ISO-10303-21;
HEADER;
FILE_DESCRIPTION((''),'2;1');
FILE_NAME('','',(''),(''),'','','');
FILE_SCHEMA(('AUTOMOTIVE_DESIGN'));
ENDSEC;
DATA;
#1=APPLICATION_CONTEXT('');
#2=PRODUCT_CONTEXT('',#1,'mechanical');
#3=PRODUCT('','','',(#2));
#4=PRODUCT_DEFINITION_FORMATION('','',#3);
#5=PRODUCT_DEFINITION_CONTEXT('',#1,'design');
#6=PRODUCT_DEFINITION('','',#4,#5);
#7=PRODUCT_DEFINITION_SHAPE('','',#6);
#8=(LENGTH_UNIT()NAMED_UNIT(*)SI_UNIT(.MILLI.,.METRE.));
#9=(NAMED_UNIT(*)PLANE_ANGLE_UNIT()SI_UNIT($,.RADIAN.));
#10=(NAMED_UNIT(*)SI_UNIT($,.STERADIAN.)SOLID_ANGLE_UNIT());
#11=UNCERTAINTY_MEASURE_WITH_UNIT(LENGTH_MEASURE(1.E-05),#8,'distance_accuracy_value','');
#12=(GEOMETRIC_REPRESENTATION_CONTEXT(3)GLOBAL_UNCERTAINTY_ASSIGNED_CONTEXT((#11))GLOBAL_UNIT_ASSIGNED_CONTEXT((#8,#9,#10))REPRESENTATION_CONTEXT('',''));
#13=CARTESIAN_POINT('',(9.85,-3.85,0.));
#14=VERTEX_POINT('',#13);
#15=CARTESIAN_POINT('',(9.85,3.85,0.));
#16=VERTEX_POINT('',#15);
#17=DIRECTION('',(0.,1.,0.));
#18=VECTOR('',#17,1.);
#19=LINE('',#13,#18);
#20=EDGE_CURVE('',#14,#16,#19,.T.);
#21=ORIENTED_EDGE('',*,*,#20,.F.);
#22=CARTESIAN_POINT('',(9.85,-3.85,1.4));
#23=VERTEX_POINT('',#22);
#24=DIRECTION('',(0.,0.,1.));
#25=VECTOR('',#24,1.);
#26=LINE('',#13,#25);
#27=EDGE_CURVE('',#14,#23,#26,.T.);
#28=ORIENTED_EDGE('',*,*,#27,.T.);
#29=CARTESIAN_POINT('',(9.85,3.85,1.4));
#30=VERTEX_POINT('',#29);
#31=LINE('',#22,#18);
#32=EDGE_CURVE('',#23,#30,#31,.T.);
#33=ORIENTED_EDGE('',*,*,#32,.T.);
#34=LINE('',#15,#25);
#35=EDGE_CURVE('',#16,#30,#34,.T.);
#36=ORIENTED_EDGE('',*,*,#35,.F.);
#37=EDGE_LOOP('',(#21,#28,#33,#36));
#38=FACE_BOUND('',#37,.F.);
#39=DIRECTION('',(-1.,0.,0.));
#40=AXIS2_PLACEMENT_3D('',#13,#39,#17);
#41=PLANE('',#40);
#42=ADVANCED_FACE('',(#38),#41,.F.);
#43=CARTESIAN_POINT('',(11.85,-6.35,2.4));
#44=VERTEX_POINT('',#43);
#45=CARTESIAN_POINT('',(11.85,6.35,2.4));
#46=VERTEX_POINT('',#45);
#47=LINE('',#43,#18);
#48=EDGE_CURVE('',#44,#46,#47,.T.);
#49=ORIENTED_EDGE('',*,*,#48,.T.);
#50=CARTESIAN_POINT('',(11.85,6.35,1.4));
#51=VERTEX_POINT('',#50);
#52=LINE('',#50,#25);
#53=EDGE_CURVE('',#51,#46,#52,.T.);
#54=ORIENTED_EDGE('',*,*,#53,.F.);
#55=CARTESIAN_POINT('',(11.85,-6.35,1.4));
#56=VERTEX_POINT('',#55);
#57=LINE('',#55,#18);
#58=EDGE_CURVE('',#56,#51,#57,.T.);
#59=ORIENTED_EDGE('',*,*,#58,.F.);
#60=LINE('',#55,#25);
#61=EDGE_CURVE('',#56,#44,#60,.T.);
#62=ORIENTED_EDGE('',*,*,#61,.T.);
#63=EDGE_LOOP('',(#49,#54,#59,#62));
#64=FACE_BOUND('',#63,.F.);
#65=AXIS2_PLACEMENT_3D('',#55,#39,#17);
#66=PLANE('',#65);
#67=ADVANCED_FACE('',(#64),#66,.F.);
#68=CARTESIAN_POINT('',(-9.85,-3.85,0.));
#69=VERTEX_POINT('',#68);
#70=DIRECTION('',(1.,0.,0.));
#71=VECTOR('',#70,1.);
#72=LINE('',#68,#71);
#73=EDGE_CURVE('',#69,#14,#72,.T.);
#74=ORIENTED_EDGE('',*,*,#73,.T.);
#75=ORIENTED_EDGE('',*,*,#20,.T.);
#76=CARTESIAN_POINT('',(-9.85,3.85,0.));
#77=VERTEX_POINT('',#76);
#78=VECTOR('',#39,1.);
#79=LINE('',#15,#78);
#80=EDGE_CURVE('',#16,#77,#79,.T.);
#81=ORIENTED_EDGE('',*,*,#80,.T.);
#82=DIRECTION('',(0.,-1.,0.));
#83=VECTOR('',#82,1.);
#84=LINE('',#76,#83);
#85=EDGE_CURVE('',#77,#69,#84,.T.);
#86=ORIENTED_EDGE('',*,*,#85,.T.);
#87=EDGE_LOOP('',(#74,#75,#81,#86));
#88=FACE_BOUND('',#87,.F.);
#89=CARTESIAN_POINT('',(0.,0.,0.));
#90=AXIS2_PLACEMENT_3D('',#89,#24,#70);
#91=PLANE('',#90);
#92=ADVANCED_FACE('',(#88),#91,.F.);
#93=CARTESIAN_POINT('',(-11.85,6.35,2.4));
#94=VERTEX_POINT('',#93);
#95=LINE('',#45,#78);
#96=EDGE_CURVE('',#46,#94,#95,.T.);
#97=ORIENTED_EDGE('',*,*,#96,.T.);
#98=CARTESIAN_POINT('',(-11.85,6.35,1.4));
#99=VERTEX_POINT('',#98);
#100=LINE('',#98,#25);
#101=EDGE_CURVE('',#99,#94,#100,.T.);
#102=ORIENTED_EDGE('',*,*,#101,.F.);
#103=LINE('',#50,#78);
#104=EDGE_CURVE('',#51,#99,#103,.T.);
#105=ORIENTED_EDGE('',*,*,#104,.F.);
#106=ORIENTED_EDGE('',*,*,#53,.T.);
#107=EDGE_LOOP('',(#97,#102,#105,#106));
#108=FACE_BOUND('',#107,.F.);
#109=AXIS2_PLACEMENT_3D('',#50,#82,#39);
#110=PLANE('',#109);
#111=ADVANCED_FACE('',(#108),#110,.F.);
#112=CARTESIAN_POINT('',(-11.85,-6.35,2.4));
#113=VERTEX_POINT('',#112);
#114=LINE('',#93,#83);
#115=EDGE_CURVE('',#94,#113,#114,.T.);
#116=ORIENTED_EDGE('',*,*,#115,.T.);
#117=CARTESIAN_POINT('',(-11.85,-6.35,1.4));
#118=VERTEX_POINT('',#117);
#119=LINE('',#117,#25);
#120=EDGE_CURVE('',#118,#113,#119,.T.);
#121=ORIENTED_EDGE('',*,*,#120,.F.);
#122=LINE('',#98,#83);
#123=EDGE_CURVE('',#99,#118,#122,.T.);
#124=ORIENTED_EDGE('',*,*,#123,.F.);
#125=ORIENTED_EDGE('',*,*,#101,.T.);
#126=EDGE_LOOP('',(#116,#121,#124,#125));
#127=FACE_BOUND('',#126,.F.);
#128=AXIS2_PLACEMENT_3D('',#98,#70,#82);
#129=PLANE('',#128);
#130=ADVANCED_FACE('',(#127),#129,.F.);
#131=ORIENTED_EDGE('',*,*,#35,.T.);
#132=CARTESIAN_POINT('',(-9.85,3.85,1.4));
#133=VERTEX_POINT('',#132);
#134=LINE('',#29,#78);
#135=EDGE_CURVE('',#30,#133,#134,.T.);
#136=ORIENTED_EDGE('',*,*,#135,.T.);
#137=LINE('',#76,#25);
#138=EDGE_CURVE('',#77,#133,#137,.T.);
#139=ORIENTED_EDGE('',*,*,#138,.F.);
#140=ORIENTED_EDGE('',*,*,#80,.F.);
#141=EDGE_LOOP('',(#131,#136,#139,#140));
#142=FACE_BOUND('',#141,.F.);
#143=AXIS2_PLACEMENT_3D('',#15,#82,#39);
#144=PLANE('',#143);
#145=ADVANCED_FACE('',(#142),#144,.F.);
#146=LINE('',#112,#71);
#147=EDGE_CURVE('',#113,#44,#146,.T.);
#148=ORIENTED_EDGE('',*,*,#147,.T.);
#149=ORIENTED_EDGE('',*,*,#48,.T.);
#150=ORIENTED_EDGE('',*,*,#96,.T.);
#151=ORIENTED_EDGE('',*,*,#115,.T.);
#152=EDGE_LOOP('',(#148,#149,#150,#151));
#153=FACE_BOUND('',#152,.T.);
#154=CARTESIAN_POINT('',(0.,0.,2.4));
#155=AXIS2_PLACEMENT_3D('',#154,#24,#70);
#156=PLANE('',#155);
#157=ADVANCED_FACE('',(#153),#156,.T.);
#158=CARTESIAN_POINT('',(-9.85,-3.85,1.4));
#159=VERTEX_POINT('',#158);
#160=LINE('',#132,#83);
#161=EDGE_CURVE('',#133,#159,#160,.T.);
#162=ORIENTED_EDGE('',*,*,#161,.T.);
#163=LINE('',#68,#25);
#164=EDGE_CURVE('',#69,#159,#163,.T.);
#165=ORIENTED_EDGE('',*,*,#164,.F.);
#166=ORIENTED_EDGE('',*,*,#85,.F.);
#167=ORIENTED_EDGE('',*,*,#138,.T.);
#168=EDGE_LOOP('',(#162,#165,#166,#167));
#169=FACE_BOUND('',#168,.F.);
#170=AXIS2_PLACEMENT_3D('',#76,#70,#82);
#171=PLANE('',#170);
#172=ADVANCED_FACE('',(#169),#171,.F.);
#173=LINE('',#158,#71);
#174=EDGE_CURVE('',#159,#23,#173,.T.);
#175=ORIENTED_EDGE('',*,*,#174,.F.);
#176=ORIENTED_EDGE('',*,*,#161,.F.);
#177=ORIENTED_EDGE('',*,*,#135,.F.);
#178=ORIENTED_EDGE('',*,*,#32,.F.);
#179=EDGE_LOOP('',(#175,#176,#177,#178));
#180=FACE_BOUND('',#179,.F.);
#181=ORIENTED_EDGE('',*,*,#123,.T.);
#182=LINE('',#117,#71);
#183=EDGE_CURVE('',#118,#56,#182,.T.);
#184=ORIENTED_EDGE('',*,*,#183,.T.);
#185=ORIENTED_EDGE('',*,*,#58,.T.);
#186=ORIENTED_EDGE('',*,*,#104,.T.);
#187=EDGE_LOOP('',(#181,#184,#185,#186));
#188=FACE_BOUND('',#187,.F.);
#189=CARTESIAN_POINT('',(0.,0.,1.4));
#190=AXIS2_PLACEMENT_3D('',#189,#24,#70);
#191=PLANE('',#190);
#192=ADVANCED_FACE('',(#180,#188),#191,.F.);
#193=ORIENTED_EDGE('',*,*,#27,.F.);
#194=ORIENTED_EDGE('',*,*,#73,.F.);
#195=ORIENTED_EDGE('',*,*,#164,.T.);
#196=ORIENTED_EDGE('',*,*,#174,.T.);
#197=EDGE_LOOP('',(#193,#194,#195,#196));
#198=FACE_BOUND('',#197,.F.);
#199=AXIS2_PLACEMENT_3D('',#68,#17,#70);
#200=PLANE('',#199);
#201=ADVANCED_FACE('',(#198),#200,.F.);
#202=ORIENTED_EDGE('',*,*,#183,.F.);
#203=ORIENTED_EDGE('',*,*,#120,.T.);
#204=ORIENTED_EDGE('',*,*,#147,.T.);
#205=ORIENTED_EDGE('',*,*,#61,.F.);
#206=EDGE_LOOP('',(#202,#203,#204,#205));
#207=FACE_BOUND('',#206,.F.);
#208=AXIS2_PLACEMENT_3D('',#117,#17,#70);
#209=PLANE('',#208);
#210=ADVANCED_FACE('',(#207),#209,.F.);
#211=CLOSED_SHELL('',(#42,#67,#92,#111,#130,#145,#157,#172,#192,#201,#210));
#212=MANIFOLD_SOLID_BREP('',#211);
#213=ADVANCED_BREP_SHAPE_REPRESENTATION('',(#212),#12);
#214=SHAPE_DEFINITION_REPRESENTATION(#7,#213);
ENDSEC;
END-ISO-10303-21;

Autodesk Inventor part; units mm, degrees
ref_plane "YZ Plane" through (0, 0, 0) normal (1, 0, 0) x (0, 1, 0)
ref_plane "XZ Plane" through (0, 0, 0) normal (0, 1, 0) x (-1, 0, 0)
ref_plane "XY Plane" through (0, 0, 0) normal (0, 0, 1) x (1, 0, 0)
sketch "Sketch1" plane through (0, 0, 0) normal (0, 0, 1) x (1, 0, 0)
  line L0 (-9.85, -3.85) -> (9.85, -3.85)
  line L1 (9.85, -3.85) -> (9.85, 3.85)
  line L2 (9.85, 3.85) -> (-9.85, 3.85)
  line L3 (-9.85, 3.85) -> (-9.85, -3.85)
  line L4 (-9.85, -3.85) -> (9.85, 3.85) construction
  line L5 (9.85, -3.85) -> (-9.85, 3.85) construction
  point P0 (0, 0)
  dimension "d0" = 19.7
  dimension "d1" = 7.7
extrude "Extrusion1" add sketch "Sketch1" along normal blind 1.4
sketch "Sketch2" plane through (0, 0, 1.4) normal (0, 0, 1) x (1, 0, 0)
  line L0 (-11.85, -6.35) -> (11.85, -6.35)
  line L1 (11.85, -6.35) -> (11.85, 6.35)
  line L2 (11.85, 6.35) -> (-11.85, 6.35)
  line L3 (-11.85, 6.35) -> (-11.85, -6.35)
  line L4 (-11.85, -6.35) -> (11.85, 6.35) construction
  line L5 (11.85, -6.35) -> (-11.85, 6.35) construction
  point P0 (0, 0)
  dimension "d4" = 23.7
  dimension "d5" = 12.7
extrude "Extrusion2" add sketch "Sketch2" along normal blind 1
properties part number "WindowInsert" material "Glass"
